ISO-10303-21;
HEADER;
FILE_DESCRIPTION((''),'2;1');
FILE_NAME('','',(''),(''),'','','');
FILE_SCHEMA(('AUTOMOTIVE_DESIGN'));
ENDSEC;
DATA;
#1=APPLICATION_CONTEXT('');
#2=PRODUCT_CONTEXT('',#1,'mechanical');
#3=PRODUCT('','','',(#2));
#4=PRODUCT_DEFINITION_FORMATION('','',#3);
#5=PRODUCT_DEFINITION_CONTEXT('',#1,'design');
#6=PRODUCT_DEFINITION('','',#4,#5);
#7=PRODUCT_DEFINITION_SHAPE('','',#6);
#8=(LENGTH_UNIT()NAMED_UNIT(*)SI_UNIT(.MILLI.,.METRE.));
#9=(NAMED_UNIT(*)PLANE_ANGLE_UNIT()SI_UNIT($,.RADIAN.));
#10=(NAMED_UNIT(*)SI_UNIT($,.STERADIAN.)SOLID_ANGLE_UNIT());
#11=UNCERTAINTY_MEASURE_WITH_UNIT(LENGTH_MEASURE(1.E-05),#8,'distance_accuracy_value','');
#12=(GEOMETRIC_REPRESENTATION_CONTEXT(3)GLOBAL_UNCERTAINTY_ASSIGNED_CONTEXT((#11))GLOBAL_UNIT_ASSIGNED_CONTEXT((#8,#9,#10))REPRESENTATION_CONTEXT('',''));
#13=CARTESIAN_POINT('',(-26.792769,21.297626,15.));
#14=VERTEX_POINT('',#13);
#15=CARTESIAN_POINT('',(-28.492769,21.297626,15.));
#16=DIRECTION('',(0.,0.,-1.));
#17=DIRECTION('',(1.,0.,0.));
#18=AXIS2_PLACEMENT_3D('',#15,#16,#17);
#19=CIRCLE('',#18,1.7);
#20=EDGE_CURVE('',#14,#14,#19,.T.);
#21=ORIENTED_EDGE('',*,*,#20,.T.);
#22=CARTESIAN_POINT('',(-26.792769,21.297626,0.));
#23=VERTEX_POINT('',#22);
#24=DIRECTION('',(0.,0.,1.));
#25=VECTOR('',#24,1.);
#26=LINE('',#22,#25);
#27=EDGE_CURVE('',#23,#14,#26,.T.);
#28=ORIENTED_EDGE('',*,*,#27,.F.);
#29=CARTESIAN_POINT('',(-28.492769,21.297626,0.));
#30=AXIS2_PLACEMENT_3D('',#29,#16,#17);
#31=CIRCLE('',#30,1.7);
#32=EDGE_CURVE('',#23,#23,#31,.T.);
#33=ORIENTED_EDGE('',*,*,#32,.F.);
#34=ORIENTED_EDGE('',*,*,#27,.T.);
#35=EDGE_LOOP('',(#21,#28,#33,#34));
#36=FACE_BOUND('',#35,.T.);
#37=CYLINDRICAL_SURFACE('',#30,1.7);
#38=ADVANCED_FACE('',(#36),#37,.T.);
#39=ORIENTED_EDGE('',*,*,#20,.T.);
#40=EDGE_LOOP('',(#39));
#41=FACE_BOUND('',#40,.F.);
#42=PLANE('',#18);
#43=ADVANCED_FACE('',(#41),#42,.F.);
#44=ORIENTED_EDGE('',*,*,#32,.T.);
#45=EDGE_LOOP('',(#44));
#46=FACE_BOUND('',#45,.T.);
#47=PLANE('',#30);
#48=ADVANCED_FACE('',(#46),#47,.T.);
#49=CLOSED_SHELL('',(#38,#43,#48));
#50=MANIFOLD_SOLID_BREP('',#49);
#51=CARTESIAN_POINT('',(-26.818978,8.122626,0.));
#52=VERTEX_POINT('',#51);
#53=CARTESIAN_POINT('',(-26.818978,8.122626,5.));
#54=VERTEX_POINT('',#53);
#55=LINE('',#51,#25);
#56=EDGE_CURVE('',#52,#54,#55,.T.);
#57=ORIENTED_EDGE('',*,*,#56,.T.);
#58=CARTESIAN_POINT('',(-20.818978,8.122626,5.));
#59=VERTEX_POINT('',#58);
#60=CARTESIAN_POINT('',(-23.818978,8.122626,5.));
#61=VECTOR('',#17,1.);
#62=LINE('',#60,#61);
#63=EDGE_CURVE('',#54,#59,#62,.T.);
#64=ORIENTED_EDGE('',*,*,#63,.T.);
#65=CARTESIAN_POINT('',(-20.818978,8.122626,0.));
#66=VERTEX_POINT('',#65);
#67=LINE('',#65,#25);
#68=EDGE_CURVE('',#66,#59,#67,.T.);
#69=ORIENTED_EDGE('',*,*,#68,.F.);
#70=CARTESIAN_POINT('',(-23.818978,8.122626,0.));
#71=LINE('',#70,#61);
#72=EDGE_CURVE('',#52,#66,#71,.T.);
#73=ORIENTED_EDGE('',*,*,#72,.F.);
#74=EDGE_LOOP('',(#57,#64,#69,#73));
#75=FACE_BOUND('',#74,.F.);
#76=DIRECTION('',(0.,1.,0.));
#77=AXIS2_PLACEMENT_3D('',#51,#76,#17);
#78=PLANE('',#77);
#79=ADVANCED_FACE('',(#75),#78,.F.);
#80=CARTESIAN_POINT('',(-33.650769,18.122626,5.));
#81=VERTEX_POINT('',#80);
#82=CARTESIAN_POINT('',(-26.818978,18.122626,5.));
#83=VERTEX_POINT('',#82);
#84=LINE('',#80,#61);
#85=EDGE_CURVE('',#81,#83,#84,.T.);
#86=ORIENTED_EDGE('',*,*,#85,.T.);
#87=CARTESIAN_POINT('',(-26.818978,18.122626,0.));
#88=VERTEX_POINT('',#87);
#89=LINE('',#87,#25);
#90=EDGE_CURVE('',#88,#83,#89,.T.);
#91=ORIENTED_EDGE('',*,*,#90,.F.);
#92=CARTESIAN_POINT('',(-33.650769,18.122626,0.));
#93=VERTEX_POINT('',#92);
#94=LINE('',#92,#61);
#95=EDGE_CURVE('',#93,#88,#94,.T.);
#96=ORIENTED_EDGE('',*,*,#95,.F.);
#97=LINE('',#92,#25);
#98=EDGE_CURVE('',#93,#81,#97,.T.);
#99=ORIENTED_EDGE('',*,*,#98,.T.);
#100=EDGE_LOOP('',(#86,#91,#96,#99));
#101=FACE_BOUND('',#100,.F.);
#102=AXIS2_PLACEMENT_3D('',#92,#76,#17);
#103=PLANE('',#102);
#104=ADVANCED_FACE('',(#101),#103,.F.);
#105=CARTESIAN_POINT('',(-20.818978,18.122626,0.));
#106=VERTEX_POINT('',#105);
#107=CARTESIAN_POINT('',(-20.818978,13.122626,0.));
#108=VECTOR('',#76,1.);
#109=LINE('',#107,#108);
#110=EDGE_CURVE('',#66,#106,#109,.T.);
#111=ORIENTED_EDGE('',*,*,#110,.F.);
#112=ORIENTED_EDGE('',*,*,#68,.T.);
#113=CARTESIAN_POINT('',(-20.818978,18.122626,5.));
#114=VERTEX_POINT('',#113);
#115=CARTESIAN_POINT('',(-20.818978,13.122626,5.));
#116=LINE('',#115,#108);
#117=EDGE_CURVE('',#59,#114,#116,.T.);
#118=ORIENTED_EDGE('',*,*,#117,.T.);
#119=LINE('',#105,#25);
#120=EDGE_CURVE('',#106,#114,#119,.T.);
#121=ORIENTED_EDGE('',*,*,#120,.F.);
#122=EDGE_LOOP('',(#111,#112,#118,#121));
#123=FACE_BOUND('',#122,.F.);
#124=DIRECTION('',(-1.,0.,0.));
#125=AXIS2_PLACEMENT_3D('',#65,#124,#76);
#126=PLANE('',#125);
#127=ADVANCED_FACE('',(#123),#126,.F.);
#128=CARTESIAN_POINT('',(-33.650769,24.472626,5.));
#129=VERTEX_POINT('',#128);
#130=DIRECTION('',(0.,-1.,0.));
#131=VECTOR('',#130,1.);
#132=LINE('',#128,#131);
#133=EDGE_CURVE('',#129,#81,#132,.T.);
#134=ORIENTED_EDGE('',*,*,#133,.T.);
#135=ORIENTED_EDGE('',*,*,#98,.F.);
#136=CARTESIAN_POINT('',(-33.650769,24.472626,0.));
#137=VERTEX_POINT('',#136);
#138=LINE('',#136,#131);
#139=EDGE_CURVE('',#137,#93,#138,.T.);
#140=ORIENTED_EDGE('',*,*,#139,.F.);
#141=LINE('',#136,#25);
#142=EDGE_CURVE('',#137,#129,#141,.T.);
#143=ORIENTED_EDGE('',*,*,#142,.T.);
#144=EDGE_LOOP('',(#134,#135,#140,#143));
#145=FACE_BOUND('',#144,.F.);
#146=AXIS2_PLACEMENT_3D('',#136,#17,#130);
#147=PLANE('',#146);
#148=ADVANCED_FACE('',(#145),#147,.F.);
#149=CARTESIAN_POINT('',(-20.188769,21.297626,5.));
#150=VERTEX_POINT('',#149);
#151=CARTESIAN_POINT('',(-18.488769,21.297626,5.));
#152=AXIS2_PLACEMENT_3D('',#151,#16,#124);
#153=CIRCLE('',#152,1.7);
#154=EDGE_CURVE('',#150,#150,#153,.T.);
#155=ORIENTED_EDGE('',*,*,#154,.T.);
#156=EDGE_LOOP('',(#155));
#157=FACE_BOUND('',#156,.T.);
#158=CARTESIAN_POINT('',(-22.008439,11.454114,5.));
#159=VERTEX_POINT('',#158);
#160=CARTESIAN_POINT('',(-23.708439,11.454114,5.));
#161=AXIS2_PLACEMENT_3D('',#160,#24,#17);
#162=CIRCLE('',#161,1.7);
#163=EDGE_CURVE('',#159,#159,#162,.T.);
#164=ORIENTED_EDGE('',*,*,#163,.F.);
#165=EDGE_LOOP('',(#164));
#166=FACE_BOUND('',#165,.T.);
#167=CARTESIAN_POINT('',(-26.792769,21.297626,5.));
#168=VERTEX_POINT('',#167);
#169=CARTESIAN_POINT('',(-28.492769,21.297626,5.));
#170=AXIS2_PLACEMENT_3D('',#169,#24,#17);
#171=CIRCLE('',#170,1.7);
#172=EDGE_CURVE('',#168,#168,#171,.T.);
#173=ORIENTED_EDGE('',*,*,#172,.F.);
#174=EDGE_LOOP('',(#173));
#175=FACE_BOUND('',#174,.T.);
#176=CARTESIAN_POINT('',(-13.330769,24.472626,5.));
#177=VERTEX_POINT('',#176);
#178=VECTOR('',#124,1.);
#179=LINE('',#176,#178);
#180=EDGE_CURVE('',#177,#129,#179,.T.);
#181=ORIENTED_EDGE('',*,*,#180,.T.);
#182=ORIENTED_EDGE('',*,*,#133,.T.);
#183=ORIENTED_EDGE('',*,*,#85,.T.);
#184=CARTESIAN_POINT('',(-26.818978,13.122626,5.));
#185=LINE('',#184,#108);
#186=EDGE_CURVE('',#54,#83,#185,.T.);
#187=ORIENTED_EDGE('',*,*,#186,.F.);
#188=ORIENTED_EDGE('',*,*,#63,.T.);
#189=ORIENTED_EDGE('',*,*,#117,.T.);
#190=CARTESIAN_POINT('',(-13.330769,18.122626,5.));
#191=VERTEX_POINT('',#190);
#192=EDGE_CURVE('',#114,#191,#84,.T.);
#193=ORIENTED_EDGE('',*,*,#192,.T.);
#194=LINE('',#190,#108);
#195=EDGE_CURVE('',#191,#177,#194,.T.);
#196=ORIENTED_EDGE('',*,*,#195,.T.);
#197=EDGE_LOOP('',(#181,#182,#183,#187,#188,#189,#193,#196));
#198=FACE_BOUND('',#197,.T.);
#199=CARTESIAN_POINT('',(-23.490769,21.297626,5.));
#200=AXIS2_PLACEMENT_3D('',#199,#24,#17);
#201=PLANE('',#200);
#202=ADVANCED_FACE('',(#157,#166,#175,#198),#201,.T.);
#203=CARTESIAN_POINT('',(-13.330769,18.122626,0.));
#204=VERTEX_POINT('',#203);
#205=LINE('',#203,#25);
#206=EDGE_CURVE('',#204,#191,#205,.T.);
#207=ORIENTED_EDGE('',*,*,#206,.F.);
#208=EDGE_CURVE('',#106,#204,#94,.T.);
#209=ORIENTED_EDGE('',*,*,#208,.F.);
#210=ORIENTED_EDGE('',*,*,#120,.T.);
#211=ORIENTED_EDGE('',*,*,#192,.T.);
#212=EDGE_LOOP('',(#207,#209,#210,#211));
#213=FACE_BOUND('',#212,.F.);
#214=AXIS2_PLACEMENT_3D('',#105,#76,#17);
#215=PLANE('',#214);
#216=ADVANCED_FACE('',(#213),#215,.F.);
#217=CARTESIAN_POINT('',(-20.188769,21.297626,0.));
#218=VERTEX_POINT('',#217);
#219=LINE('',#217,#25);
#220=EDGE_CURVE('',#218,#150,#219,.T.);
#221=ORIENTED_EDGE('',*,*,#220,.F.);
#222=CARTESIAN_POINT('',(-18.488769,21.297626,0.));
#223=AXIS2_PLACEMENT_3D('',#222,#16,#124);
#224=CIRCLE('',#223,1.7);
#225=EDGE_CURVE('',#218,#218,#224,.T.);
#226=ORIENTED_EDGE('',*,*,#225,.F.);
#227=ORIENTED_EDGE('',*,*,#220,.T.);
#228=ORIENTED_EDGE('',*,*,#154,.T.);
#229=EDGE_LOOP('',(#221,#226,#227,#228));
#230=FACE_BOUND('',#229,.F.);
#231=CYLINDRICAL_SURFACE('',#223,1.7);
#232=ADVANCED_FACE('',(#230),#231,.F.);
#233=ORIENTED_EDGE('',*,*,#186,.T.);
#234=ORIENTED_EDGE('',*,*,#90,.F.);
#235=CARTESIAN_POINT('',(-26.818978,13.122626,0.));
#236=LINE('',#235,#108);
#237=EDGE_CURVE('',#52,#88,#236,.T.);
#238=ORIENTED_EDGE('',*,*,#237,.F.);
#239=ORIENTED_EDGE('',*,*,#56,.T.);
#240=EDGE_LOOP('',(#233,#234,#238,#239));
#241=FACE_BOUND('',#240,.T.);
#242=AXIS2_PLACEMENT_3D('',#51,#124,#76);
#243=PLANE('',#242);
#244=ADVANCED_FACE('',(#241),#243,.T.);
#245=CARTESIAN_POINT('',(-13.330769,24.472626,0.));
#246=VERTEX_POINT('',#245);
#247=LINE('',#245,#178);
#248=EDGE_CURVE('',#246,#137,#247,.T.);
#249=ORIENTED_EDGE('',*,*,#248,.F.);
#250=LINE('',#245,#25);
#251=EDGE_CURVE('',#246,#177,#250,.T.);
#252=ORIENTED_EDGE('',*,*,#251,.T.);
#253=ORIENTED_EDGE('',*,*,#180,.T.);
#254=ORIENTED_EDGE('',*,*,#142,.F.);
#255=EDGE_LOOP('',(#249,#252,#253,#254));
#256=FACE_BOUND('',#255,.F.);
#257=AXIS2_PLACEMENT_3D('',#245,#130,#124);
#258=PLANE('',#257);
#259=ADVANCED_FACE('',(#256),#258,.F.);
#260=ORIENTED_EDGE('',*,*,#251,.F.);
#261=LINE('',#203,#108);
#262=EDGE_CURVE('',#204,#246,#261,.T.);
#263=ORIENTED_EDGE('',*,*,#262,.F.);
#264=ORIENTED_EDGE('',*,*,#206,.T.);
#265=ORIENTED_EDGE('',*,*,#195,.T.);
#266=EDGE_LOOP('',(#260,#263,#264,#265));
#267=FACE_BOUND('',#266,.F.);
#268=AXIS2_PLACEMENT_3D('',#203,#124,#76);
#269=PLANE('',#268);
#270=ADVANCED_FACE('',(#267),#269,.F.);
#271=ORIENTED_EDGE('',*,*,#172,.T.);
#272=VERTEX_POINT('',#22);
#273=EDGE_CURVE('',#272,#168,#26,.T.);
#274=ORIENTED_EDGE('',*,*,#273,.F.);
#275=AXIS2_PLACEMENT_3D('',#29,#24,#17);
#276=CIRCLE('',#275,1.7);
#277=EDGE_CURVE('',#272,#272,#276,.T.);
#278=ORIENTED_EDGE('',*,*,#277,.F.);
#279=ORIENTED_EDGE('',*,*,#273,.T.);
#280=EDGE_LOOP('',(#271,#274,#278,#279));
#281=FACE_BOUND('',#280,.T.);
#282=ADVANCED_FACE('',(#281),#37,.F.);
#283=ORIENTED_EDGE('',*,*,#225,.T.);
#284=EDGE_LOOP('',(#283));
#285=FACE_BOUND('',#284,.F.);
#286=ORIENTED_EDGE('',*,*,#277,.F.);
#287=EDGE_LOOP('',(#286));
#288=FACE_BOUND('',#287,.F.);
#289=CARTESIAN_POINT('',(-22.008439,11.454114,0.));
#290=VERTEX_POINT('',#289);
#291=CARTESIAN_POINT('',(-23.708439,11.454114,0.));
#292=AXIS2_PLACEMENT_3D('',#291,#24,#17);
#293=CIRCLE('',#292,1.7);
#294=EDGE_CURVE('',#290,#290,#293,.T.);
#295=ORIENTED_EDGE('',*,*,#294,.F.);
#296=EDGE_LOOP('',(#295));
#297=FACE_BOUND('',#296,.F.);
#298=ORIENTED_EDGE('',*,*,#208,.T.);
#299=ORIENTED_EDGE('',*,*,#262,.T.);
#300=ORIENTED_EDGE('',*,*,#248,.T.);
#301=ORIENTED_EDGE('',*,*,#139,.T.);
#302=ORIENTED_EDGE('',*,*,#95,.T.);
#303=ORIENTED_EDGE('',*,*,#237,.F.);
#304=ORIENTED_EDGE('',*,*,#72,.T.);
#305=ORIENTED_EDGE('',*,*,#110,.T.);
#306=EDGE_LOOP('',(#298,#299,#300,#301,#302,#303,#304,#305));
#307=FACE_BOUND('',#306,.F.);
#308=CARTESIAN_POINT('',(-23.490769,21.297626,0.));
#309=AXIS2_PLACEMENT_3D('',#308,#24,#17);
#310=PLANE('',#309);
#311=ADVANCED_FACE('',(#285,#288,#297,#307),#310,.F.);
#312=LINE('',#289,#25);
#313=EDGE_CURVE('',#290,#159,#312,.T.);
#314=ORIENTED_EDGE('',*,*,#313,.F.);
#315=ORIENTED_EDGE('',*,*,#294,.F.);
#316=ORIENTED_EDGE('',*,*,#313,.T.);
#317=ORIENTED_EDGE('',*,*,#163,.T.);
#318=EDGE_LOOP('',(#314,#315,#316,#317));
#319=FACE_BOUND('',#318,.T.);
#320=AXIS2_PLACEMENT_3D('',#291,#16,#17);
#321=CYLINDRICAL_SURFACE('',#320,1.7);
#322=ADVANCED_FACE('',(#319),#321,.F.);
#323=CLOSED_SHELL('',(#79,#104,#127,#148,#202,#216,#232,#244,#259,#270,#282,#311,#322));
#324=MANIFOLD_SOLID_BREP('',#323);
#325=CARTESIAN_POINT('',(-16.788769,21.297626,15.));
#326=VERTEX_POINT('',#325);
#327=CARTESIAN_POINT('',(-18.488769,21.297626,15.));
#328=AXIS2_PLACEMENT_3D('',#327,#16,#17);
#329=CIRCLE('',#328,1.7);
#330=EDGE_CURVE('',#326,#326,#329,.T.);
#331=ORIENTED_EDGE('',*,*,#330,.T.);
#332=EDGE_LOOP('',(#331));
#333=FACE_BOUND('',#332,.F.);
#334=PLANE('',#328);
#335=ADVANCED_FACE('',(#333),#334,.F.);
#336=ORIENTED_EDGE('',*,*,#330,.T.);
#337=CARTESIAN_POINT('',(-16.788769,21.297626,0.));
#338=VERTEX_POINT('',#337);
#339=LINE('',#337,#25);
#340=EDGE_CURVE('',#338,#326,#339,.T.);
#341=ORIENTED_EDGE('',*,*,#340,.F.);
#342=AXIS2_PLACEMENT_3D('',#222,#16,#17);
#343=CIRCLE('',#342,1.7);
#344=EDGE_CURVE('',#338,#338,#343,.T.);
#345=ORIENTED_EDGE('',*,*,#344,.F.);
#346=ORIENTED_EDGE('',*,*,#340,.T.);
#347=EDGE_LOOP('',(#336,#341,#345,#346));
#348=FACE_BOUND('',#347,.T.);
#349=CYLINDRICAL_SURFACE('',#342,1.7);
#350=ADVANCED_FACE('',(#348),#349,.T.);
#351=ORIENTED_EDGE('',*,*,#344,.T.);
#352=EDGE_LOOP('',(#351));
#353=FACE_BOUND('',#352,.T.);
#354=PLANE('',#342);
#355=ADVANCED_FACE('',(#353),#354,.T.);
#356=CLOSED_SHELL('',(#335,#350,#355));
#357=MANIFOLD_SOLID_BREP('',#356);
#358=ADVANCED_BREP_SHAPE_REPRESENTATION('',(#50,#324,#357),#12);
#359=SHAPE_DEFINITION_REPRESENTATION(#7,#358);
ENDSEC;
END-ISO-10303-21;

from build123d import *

# Parameters (mm, degrees)
F0_R     = 1.7
F0_W     = 6
F0_H     = 10
F1_DEPTH = 5
F2_R     = 1.7
F3_DEPTH = 15
F4_R     = 1.7
F5_DEPTH = 15


with BuildPart() as f1:
    # F0 (on Top) → F1 (new body)
    with BuildSketch(Plane.XY):
        Polygon((-13.330769, 18.122626), (-13.330769, 24.472626), (-33.650769, 24.472626), (-33.650769, 18.122626), (-26.818978, 18.122626), (-20.818978, 18.122626), align=None)
        with Locations((-28.492769, 21.297626)):
            Circle(F0_R, mode=Mode.SUBTRACT)
        with BuildLine():
            ThreePointArc((-16.788769, 21.297626), (-18.488769, 19.597626), (-20.188769, 21.297626))
            ThreePointArc((-20.188769, 21.297626), (-18.488769, 22.997626), (-16.788769, 21.297626))
        make_face(mode=Mode.SUBTRACT)
        with Locations((-23.818978, 13.122626)):
            Rectangle(F0_W, F0_H)
        with Locations((-23.708439, 11.454114)):
            Circle(F0_R, mode=Mode.SUBTRACT)
    extrude(amount=F1_DEPTH)


with BuildPart() as f3:
    # F2 (on face) → F3 (new body)
    with BuildSketch(Plane(origin=(0, 0, 0), x_dir=(1, 0, 0), z_dir=(0, 0, -1))):
        with Locations((-28.492769, -21.297626)):
            Circle(F2_R)
    extrude(amount=-F3_DEPTH)


with BuildPart() as f5:
    # F4 (on face) → F5 (new body)
    with BuildSketch(Plane(origin=(0, 0, 0), x_dir=(1, 0, 0), z_dir=(0, 0, -1))):
        with Locations((-18.488769, -21.297626)):
            Circle(F4_R)
    extrude(amount=-F5_DEPTH)


solid = Compound([f1.part, f3.part, f5.part])
